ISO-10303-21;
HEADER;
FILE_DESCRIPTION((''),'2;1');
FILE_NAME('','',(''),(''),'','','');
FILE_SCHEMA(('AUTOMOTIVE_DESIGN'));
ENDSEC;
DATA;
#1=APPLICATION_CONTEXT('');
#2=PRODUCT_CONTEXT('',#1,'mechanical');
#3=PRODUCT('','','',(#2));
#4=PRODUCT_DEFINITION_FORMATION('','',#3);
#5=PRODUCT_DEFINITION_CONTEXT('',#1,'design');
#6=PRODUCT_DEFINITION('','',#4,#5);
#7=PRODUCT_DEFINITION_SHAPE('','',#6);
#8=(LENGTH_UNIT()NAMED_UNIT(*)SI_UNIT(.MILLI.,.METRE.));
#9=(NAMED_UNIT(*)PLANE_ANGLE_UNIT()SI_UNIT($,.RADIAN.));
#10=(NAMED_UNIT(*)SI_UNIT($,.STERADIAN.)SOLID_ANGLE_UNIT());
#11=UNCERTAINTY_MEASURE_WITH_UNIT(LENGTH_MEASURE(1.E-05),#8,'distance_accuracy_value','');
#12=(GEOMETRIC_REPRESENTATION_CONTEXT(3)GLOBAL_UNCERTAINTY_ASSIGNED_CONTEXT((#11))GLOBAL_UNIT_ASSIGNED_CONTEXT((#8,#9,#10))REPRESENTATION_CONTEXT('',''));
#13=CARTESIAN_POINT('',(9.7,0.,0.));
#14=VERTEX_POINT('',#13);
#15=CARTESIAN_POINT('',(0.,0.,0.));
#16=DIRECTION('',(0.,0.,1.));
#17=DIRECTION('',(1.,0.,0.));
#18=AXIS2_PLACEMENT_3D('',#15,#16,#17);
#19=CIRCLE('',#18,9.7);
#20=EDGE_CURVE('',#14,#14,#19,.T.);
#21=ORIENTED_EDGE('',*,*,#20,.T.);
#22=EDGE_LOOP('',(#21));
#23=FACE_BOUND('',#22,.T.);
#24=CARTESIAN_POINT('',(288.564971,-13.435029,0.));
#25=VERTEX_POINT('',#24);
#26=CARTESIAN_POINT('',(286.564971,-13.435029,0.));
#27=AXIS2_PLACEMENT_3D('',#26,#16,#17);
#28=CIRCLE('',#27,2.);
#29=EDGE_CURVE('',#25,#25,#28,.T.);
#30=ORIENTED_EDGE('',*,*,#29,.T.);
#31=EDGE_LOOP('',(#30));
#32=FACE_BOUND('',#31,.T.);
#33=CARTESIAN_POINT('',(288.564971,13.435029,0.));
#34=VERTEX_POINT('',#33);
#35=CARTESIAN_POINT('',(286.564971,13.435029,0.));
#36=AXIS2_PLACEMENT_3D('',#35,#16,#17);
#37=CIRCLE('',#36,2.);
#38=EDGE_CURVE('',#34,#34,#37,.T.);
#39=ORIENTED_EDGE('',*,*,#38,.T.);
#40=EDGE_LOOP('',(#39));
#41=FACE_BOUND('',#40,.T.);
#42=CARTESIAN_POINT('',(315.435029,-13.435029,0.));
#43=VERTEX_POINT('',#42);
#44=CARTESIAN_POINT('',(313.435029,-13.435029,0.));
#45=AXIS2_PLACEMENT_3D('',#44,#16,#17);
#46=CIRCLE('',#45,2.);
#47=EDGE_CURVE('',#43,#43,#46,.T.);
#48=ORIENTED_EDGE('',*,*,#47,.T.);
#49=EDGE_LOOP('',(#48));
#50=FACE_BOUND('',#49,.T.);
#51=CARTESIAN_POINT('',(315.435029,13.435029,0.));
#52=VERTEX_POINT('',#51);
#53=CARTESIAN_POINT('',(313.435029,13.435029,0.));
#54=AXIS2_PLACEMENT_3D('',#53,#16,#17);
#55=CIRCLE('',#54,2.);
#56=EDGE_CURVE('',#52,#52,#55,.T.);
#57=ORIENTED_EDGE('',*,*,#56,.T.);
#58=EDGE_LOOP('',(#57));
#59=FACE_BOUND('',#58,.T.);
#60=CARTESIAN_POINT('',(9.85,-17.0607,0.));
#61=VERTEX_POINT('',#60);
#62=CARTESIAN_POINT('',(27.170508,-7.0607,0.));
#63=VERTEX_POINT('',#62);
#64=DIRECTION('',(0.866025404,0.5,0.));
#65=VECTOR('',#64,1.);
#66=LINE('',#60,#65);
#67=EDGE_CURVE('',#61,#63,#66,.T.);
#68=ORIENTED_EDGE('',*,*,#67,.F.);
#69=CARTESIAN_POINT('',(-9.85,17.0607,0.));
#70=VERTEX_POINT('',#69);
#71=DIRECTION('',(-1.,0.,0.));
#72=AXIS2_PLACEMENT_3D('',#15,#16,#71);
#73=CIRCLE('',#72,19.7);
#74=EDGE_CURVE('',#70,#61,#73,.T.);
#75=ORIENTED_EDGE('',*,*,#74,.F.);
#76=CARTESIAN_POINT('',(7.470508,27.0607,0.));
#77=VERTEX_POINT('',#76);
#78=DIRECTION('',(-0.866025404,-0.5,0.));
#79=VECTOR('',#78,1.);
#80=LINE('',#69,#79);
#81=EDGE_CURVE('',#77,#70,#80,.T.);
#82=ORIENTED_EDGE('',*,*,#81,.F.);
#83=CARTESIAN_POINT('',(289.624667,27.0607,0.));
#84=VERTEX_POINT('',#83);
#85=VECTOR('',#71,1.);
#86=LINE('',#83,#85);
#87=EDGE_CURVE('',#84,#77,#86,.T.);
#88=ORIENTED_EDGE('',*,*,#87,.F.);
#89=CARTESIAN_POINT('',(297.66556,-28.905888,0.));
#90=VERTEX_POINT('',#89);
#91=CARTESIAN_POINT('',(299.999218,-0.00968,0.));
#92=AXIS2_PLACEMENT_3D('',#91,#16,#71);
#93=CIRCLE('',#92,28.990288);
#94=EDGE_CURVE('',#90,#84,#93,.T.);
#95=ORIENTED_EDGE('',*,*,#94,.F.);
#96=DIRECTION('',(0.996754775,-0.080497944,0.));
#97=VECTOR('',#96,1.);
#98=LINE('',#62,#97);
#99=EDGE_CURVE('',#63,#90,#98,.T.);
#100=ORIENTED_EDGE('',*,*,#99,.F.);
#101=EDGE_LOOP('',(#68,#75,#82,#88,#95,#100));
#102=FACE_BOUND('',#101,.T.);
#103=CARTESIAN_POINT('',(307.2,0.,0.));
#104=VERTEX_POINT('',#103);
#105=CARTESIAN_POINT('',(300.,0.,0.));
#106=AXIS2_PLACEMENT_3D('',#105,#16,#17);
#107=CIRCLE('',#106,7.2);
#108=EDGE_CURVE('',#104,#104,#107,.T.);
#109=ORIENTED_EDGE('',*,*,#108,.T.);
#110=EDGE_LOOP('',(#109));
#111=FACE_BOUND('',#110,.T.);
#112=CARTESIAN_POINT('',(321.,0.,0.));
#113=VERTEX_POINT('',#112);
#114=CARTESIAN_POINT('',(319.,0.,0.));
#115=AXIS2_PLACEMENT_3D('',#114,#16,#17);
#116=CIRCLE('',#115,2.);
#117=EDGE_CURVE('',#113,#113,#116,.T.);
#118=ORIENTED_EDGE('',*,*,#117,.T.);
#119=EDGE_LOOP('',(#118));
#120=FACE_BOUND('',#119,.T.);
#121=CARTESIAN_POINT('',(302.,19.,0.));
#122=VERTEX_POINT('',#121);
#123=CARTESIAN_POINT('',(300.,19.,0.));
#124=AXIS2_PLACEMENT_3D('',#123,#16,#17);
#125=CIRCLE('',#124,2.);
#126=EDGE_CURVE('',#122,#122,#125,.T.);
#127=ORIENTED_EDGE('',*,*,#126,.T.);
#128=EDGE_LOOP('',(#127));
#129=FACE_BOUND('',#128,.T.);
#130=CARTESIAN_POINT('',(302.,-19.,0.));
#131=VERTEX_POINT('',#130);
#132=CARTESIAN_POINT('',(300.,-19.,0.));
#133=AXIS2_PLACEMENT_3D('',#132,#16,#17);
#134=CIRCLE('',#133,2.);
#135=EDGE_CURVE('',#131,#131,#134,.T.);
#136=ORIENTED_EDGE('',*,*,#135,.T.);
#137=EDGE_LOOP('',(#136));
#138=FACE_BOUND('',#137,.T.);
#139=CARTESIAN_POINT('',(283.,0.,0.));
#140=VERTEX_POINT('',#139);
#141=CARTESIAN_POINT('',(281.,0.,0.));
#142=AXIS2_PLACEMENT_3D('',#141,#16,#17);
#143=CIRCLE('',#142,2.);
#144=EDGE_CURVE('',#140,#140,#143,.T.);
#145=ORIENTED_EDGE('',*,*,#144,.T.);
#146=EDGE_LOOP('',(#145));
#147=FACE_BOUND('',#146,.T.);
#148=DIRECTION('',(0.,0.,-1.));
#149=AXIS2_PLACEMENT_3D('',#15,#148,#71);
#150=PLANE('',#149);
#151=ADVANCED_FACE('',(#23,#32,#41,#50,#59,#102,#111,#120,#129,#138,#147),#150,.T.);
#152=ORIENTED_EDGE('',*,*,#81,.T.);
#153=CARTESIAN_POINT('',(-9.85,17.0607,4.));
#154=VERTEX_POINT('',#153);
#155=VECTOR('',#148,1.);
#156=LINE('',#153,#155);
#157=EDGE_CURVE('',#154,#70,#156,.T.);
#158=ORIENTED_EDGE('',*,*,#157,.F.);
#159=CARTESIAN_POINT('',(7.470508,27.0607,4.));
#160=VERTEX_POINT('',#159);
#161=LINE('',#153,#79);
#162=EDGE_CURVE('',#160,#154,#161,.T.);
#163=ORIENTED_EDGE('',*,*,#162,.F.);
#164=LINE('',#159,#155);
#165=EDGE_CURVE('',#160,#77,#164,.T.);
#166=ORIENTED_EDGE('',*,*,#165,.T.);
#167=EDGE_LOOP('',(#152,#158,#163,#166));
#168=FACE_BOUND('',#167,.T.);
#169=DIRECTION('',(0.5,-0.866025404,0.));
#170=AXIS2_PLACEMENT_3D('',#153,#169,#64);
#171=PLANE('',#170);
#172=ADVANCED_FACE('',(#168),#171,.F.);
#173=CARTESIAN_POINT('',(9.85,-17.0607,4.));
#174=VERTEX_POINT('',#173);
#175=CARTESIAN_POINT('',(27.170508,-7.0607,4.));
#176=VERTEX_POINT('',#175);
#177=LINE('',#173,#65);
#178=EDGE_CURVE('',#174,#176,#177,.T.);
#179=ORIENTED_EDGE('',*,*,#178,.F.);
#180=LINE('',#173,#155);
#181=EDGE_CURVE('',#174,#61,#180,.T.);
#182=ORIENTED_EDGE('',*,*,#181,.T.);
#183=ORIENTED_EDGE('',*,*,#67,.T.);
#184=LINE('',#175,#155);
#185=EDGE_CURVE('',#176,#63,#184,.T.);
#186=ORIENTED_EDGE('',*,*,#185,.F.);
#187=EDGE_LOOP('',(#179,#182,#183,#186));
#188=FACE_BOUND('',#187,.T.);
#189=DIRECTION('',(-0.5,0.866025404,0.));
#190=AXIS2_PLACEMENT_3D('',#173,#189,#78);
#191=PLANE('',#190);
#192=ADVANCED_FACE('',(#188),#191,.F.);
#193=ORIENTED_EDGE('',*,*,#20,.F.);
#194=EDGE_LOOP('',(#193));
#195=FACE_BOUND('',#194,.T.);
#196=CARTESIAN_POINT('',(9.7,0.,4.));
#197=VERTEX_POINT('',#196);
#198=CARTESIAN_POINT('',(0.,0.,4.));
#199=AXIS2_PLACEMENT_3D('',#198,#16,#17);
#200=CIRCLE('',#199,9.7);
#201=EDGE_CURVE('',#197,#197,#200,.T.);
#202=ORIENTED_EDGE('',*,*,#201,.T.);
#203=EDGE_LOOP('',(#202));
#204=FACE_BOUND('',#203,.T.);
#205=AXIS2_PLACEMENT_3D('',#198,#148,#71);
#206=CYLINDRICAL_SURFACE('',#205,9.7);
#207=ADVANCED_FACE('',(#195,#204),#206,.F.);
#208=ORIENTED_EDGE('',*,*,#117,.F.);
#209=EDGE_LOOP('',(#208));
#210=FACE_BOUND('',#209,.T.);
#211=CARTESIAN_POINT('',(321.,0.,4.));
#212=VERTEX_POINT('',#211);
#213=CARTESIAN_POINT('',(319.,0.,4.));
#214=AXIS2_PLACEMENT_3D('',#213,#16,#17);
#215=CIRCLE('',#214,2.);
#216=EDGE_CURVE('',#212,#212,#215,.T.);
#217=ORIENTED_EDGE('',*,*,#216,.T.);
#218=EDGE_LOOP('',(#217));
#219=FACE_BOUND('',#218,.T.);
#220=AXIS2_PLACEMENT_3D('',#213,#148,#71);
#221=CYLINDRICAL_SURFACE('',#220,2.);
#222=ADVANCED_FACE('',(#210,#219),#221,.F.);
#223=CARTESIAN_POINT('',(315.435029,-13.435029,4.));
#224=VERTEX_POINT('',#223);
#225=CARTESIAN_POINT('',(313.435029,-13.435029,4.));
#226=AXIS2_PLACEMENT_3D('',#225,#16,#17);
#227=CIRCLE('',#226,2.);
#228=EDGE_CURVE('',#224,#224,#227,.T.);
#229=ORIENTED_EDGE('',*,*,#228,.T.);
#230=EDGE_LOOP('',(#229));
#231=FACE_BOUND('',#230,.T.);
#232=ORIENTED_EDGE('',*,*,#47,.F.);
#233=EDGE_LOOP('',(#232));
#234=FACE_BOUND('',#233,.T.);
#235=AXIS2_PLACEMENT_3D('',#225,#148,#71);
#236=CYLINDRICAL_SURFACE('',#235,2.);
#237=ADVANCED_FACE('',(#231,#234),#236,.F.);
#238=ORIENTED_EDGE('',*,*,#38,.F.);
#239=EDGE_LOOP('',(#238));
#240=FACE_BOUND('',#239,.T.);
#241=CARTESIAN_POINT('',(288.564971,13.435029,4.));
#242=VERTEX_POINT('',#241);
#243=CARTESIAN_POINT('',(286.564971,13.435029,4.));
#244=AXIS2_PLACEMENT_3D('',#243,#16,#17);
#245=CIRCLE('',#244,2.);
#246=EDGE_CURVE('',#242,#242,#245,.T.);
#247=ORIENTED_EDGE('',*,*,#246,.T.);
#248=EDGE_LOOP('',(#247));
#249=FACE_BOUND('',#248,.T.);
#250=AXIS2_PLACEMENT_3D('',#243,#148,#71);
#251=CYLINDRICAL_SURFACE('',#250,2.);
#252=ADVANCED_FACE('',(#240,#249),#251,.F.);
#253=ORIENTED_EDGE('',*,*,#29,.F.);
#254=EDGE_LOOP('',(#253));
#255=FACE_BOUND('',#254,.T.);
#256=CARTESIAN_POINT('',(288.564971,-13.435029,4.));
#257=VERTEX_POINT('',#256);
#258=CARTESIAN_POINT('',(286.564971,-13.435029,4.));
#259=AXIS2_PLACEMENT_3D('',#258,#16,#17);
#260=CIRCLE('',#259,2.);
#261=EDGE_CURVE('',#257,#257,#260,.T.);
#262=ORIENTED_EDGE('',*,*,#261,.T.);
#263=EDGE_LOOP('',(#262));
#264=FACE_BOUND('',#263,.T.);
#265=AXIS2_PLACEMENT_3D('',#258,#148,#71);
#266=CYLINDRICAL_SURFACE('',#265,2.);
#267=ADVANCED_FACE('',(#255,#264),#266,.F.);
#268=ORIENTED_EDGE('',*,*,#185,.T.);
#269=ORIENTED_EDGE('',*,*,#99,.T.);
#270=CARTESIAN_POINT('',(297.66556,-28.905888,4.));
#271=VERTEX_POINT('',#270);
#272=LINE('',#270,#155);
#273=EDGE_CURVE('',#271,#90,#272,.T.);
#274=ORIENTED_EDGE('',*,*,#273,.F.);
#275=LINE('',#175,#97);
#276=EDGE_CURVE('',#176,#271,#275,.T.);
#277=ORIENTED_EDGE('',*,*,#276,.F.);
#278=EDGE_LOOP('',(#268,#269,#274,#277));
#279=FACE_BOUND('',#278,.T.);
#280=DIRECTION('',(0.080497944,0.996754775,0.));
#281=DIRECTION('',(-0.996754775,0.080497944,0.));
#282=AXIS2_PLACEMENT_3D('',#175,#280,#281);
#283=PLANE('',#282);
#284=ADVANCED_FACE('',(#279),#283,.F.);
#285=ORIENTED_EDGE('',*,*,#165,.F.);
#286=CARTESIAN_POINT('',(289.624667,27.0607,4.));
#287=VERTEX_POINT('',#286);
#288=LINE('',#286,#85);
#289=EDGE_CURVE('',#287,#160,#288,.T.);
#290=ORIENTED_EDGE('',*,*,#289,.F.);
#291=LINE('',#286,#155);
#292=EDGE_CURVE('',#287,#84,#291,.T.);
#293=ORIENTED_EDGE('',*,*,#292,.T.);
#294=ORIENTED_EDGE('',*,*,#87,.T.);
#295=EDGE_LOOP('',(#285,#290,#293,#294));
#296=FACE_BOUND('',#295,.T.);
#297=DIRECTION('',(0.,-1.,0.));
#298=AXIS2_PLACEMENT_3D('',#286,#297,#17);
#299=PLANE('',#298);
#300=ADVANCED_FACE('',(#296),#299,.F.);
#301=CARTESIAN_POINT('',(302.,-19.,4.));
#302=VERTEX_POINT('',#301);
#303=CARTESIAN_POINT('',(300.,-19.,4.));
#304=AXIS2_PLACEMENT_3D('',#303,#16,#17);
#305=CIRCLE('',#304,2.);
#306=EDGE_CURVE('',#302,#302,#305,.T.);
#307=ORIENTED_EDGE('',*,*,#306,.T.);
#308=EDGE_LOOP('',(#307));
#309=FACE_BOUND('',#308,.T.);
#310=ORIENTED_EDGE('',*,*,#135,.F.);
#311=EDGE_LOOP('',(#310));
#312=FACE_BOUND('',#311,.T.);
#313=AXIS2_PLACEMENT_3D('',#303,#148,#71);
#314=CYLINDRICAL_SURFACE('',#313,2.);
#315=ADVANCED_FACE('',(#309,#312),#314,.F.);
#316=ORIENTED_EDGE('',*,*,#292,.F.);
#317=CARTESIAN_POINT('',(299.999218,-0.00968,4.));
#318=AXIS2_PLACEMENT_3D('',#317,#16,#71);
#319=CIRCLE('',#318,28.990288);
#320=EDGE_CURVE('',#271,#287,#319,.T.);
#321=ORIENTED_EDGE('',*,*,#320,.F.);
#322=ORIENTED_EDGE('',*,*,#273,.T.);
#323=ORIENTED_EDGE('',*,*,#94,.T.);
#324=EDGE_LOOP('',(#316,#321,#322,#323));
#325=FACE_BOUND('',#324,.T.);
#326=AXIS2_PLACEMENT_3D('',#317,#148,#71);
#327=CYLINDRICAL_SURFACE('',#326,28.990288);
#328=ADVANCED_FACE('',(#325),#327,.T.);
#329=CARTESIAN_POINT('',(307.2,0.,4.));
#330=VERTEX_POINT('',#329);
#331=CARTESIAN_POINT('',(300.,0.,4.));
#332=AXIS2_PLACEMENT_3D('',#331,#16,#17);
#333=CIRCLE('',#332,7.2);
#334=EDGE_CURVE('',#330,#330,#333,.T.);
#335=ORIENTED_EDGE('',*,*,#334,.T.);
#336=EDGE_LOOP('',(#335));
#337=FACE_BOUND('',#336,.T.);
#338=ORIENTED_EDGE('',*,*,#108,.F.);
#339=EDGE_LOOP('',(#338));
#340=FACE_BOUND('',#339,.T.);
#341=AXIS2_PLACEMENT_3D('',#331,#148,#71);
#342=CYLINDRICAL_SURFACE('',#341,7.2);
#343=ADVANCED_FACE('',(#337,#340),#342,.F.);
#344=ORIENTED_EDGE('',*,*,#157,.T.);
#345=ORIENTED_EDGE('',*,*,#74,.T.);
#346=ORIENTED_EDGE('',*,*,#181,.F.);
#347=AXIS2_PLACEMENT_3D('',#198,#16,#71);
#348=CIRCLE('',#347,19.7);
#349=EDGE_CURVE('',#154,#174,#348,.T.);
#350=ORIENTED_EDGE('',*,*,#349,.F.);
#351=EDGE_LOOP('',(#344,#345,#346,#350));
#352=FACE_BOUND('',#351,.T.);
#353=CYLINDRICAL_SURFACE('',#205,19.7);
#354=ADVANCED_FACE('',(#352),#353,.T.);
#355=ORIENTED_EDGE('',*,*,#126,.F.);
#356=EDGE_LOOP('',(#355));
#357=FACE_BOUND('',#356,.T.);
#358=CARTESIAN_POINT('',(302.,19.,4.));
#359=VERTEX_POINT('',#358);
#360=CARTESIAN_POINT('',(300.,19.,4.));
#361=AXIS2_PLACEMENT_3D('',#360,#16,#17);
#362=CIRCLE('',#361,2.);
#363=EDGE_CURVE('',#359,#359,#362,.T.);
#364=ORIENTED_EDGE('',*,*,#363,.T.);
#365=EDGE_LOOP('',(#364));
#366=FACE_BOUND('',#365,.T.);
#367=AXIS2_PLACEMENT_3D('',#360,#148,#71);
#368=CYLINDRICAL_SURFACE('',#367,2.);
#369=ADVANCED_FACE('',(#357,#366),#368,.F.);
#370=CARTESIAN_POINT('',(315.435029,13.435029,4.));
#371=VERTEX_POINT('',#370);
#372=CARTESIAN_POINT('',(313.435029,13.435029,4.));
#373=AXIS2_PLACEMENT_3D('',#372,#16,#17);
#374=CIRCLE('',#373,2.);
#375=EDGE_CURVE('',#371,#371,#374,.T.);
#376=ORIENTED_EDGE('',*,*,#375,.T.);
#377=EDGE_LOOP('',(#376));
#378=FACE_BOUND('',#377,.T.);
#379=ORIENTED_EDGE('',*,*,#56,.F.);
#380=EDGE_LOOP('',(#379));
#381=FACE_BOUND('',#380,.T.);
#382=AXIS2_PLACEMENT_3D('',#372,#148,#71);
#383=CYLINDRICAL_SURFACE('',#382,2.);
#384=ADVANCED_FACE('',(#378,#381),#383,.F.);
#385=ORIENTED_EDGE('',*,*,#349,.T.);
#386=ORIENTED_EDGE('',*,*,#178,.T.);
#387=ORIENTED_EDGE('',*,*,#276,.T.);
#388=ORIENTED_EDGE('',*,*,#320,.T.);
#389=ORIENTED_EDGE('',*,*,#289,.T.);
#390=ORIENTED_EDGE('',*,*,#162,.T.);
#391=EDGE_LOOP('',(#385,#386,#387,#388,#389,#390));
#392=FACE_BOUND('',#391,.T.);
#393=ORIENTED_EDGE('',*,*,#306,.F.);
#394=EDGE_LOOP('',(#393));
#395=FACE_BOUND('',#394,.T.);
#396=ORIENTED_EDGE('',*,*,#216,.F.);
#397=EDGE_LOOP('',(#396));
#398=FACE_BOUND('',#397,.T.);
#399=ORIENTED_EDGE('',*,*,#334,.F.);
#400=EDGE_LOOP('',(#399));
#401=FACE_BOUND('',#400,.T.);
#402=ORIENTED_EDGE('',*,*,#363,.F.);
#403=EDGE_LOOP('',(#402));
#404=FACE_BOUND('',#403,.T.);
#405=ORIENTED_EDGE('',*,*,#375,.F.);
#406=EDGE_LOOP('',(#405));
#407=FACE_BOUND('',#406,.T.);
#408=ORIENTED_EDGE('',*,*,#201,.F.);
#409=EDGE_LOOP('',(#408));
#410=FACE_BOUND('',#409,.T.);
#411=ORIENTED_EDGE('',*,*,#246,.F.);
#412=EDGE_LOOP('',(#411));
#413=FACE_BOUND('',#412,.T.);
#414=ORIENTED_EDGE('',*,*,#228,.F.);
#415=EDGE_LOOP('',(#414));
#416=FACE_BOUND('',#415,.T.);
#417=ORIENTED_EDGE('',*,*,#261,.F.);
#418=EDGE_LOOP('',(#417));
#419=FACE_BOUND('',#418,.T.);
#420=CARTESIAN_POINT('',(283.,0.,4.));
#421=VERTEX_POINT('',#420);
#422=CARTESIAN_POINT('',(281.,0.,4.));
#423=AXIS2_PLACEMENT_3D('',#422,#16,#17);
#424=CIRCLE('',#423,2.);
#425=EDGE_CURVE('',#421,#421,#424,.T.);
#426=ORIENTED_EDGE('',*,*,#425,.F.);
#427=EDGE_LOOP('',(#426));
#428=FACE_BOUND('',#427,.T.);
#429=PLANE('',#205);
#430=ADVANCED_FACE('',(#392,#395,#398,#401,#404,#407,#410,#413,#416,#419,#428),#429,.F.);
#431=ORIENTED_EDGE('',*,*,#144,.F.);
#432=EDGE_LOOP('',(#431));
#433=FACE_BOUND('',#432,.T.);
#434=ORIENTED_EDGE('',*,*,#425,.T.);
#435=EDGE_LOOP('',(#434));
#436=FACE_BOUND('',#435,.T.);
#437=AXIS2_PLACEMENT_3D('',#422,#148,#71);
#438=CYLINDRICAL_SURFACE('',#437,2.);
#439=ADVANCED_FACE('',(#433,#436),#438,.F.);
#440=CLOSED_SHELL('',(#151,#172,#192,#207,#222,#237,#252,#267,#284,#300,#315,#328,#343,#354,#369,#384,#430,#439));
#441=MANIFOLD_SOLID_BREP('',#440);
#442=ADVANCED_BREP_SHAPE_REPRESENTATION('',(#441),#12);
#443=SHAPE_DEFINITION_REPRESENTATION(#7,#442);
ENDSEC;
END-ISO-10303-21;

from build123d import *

# Parameters (mm, degrees)
SKETCH_1_R      = 9.7
SKETCH_1_R_2    = 7.2
SKETCH_1_R_3    = 2
EXTRUDE_1_DEPTH = 4


with BuildPart() as part:
    # 草图1 → 凸台-拉伸1 (new body)
    with BuildSketch(Plane.XY):
        with BuildLine():
            Line((-9.85, 17.060700455), (7.470508076, 27.060700455))
            Line((7.470508076, 27.060700455), (289.624667154, 27.060700455))
            ThreePointArc((289.624667154, 27.060700455), (328.694852344, 4.11311011), (297.66555963, -28.905888469))
            Line((297.66555963, -28.905888469), (27.170508076, -7.060700455))
            Line((27.170508076, -7.060700455), (9.85, -17.060700455))
            ThreePointArc((9.85, -17.060700455), (-17.060700455, -9.85), (-9.85, 17.060700455))
        make_face()
        Circle(SKETCH_1_R, mode=Mode.SUBTRACT)
        with Locations((300, 0)):
            Circle(SKETCH_1_R_2, mode=Mode.SUBTRACT)
        with Locations((319, 0)):
            Circle(SKETCH_1_R_3, mode=Mode.SUBTRACT)
        with Locations((313.435028843, -13.435028843)):
            Circle(SKETCH_1_R_3, mode=Mode.SUBTRACT)
        with Locations((300, -19)):
            Circle(SKETCH_1_R_3, mode=Mode.SUBTRACT)
        with Locations((286.564971157, -13.435028843)):
            Circle(SKETCH_1_R_3, mode=Mode.SUBTRACT)
        with Locations((281, 0)):
            Circle(SKETCH_1_R_3, mode=Mode.SUBTRACT)
        with Locations((286.564971157, 13.435028843)):
            Circle(SKETCH_1_R_3, mode=Mode.SUBTRACT)
        with Locations((300, 19)):
            Circle(SKETCH_1_R_3, mode=Mode.SUBTRACT)
        with Locations((313.435028843, 13.435028843)):
            Circle(SKETCH_1_R_3, mode=Mode.SUBTRACT)
    extrude(amount=EXTRUDE_1_DEPTH)


solid = part.part
